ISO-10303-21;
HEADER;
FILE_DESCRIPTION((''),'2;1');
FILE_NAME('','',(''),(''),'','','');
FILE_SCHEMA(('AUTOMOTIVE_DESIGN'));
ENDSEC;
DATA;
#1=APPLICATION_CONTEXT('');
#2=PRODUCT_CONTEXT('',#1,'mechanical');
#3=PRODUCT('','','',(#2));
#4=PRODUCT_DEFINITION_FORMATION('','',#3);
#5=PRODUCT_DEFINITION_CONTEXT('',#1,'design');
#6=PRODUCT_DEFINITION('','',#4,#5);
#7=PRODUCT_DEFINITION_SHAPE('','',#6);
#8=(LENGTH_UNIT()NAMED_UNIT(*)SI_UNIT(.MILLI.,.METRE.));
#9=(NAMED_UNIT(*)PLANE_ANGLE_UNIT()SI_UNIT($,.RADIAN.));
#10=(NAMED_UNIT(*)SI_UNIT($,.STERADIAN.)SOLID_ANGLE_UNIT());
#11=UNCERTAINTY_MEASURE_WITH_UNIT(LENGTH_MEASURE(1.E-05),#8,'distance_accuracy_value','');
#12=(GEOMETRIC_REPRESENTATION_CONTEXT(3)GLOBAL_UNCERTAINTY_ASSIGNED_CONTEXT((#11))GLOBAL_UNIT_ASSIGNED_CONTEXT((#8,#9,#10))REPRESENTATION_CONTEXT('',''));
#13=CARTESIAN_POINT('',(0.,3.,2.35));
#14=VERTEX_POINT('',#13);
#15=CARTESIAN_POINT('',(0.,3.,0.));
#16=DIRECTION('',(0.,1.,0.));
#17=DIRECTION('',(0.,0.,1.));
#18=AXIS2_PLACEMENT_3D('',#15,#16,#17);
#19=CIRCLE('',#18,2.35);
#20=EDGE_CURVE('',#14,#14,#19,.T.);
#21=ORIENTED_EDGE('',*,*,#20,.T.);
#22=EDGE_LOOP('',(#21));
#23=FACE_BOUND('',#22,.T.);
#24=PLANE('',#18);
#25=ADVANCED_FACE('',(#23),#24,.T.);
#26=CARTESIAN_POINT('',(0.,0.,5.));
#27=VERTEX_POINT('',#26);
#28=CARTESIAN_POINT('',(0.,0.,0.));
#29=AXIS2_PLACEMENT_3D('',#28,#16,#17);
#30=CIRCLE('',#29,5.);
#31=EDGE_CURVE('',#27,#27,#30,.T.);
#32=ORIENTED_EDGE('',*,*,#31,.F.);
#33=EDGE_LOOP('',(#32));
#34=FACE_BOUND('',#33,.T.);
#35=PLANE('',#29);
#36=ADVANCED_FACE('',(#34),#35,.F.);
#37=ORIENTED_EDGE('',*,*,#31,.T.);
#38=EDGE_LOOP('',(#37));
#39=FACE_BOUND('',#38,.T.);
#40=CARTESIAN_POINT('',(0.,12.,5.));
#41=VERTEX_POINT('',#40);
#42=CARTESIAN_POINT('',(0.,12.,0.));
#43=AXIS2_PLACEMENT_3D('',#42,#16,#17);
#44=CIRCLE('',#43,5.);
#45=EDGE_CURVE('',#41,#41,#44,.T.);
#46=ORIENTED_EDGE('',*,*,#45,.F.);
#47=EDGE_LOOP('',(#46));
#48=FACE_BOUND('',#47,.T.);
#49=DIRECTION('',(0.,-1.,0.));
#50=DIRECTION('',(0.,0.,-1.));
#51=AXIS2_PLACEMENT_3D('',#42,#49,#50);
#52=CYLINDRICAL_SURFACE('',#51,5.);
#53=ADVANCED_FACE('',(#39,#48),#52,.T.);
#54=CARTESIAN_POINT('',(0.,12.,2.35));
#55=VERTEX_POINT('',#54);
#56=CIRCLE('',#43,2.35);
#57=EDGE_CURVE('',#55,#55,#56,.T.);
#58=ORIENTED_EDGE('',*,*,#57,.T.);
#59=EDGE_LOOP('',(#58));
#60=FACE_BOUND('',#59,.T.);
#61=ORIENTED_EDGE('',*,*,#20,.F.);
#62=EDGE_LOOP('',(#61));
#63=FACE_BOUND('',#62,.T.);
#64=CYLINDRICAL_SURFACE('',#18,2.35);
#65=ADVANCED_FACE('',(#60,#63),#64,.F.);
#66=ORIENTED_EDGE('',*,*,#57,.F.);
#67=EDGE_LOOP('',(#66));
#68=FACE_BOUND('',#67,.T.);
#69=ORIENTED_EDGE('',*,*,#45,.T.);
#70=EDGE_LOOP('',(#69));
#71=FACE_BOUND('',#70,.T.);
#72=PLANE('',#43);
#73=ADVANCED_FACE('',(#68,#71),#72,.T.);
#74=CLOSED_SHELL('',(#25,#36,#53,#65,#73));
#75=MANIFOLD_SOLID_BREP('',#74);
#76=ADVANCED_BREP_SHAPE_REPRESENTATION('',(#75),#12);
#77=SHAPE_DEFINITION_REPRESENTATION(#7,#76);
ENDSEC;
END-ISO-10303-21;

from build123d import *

# Parameters (mm, degrees)
SKETCH1_R           = 5
SKETCH1_R_2         = 2.35
BOSS_EXTRUDE1_DEPTH = 12
SKETCH2_R           = 2.35
CUT_EXTRUDE1_DEPTH  = 9


with BuildPart() as part:
    # Sketch1 → Boss-Extrude1 (new body)
    with BuildSketch(Plane(origin=(0, 0, 0), x_dir=(1, 0, 0), z_dir=(0, 1, 0))):
        Circle(SKETCH1_R)
        Circle(SKETCH1_R_2, mode=Mode.SUBTRACT)
        Circle(SKETCH1_R_2)
    extrude(amount=BOSS_EXTRUDE1_DEPTH)

    # Sketch2 → Cut-Extrude1 (cut)
    with BuildSketch(Plane(origin=(0, 12, 0), x_dir=(1, 0, 0), z_dir=(0, 1, 0))):
        Circle(SKETCH2_R)
    extrude(amount=-CUT_EXTRUDE1_DEPTH, mode=Mode.SUBTRACT)


solid = part.part
